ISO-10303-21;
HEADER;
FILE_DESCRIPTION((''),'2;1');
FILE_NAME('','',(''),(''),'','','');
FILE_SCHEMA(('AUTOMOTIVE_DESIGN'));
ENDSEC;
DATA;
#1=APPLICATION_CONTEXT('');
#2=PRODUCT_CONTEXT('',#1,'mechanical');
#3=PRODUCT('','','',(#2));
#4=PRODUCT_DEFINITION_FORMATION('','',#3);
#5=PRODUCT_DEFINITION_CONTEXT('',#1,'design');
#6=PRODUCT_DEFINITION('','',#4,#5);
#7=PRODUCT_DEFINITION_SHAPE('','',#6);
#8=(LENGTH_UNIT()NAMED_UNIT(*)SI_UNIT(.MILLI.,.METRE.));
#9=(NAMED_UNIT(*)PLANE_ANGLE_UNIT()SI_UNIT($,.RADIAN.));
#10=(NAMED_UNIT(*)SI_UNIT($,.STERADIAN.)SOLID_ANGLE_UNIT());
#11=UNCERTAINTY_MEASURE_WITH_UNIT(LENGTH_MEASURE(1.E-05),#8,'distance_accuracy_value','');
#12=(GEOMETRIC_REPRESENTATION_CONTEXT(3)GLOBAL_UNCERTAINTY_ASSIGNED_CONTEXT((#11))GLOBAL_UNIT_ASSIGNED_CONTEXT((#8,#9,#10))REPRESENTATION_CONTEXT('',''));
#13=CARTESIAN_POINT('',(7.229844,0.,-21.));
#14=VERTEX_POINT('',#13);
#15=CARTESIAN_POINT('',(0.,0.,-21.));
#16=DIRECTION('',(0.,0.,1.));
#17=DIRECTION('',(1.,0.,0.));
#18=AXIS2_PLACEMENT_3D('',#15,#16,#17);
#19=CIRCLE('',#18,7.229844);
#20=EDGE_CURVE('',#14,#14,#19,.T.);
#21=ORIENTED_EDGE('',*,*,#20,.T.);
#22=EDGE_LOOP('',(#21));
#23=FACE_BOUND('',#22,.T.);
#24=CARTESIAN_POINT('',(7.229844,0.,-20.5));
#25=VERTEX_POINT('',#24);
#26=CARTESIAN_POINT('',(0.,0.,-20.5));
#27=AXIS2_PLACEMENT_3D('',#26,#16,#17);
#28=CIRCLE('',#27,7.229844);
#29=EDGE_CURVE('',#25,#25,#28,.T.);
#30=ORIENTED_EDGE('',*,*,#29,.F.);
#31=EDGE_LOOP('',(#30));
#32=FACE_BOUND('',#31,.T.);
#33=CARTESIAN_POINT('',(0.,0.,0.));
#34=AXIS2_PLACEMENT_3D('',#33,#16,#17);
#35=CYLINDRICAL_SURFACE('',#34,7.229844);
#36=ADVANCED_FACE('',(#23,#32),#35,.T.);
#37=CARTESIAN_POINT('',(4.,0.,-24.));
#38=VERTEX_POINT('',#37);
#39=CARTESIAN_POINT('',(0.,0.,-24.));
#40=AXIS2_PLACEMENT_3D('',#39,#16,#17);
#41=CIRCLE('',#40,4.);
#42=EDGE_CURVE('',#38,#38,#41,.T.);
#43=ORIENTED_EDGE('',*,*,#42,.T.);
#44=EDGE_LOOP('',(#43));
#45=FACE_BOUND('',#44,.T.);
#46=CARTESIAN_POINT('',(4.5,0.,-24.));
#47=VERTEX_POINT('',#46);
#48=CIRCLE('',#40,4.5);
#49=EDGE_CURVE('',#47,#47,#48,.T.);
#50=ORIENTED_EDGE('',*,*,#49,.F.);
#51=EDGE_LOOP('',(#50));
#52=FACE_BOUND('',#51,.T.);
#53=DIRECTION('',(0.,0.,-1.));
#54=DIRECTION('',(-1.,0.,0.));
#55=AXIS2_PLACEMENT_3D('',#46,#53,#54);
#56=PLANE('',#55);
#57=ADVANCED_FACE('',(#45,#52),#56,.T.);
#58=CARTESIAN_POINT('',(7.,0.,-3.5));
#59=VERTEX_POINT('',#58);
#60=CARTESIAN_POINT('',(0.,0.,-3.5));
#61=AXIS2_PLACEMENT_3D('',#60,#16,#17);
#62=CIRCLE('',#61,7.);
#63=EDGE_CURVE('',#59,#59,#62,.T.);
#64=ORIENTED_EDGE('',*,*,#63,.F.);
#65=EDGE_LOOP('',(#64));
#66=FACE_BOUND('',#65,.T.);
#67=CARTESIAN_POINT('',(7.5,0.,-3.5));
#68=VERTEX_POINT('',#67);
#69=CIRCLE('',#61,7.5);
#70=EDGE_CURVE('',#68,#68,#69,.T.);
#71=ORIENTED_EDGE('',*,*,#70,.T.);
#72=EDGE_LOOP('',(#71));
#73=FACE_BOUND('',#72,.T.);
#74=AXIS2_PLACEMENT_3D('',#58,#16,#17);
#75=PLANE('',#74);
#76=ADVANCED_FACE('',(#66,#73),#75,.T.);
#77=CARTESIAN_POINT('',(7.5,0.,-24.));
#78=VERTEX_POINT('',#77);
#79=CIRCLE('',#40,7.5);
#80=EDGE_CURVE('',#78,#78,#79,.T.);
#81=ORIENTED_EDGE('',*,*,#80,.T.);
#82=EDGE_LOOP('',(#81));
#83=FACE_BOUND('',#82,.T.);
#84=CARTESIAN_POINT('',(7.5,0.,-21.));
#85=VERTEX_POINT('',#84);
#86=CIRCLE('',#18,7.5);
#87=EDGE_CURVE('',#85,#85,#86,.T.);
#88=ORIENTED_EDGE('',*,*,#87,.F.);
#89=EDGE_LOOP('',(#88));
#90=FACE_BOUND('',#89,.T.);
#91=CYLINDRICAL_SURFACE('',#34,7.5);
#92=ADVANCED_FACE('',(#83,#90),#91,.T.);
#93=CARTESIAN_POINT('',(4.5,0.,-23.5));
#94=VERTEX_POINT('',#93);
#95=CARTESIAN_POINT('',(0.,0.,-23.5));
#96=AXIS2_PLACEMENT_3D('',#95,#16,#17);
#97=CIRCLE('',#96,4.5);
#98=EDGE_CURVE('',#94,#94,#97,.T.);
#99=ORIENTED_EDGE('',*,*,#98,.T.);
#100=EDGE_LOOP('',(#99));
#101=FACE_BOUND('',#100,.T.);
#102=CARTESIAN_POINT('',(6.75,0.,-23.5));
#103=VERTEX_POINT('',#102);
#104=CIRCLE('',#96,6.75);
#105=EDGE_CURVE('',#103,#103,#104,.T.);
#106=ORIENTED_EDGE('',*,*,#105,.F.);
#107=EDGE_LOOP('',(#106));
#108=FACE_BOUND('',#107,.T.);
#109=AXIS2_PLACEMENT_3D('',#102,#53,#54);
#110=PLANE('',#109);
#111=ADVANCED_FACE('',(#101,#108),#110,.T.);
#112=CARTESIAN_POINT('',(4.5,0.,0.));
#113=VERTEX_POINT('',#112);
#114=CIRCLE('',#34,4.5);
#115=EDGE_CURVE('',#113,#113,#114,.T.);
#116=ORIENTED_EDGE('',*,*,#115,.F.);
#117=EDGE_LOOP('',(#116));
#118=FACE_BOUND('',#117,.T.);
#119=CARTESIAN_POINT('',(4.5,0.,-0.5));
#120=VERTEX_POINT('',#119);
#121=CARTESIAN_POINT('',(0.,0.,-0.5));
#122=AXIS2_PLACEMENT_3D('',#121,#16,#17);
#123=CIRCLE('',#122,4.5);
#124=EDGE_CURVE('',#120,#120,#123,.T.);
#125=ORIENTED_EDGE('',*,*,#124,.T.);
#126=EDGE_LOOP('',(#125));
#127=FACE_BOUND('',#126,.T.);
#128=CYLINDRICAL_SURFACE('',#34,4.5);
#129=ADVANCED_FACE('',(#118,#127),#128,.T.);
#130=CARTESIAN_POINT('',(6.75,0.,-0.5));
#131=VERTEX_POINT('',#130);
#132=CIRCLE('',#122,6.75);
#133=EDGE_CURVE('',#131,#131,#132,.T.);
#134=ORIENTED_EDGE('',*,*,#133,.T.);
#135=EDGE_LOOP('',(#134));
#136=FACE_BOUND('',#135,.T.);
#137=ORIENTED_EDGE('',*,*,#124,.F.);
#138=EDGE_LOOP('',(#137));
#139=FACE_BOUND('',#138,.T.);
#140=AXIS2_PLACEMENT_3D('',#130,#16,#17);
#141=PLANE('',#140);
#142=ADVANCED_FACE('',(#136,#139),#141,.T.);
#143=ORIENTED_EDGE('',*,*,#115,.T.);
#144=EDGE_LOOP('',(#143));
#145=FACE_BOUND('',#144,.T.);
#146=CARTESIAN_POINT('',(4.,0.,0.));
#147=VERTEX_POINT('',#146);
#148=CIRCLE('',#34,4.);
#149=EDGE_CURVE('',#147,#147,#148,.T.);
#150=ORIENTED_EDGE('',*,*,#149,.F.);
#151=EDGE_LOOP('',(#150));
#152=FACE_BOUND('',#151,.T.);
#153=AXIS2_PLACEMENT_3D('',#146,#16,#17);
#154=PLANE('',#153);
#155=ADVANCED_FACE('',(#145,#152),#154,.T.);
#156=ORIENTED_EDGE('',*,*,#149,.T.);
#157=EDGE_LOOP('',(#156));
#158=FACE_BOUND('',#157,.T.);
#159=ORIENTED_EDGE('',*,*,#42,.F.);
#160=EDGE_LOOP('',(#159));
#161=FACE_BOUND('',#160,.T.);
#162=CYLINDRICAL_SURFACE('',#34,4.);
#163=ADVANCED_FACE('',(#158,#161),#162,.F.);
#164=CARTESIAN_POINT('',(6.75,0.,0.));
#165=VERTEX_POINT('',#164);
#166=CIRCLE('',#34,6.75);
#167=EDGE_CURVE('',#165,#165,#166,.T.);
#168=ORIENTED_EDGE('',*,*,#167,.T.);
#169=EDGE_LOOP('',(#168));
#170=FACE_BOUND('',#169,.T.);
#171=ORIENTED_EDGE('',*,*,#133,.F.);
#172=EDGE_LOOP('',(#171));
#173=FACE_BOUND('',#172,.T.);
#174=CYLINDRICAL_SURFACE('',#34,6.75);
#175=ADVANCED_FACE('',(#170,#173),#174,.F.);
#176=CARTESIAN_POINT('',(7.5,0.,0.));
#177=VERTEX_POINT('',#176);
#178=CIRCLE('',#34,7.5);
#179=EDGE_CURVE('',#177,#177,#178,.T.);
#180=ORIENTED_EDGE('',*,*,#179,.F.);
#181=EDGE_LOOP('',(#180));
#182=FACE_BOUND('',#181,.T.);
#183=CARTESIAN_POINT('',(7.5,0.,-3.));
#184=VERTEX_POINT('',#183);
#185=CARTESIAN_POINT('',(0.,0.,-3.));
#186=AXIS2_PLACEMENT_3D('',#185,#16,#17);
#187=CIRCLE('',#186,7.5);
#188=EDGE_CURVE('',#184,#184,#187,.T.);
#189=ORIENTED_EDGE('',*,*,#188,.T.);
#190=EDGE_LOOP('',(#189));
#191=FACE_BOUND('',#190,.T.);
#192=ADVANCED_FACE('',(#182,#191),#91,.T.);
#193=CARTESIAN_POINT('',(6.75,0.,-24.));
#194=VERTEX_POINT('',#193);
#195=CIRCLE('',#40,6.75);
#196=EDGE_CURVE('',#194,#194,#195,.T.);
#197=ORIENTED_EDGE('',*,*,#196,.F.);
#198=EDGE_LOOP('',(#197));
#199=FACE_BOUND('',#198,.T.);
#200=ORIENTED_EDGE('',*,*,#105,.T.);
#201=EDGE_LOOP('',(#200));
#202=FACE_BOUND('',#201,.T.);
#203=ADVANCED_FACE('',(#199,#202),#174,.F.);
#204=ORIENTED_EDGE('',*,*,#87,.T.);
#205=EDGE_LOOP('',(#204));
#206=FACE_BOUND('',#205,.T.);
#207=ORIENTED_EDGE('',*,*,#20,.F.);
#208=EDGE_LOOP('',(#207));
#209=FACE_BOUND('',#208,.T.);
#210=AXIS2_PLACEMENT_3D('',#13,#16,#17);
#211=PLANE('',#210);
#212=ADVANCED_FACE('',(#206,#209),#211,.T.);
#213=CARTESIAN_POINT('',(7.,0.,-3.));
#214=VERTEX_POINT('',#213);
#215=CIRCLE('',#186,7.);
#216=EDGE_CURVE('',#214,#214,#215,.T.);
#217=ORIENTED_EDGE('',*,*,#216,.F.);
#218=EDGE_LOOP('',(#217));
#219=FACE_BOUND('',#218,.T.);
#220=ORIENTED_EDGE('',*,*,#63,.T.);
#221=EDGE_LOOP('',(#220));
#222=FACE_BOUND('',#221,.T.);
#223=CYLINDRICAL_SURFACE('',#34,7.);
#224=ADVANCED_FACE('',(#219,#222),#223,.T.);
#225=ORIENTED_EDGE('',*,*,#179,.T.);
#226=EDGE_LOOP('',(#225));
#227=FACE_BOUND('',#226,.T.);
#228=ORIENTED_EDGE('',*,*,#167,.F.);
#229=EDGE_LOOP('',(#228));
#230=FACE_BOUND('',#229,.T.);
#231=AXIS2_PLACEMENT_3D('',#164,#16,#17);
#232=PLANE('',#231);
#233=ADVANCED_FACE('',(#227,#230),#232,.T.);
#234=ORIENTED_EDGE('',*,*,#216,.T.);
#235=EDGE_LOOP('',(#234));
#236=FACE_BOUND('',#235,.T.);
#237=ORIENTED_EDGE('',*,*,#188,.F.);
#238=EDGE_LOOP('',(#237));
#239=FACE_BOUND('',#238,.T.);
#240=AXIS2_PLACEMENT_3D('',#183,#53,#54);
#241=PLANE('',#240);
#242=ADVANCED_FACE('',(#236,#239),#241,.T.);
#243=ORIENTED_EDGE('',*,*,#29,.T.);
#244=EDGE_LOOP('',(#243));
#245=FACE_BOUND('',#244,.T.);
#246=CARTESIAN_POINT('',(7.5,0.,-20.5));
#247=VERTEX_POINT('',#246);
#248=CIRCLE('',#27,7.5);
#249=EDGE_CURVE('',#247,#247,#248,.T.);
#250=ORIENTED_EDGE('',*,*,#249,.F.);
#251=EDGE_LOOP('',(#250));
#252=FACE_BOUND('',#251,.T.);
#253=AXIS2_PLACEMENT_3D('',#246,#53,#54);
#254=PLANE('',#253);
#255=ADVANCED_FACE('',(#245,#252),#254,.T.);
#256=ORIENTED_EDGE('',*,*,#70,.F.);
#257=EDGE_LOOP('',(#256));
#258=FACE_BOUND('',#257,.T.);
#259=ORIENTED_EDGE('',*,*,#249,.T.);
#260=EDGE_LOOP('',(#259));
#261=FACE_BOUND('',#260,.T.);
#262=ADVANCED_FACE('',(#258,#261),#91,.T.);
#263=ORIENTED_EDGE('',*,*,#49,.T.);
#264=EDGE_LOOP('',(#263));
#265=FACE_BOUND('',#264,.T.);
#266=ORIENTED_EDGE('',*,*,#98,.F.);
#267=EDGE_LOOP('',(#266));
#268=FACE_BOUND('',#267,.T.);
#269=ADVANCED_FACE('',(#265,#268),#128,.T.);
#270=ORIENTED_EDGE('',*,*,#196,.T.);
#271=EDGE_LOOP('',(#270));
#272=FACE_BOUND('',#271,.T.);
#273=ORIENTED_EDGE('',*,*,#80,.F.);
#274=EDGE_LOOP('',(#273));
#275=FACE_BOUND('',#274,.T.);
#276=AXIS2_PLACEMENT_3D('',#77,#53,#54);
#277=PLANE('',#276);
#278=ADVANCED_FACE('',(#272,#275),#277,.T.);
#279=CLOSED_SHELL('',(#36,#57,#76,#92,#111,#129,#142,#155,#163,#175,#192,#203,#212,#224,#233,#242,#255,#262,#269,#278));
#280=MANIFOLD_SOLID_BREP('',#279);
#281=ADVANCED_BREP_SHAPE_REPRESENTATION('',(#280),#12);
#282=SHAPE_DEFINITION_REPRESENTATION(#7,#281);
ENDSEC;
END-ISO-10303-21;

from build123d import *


with BuildPart() as part:
    # Sketch1 → Revolve1 (revolve)
    with BuildSketch(Plane(origin=(0, 0, 0), x_dir=(1, 0, 0), z_dir=(0, 1, 0))):
        Polygon((4, 0), (4.5, 0), (4.5, 0.5), (6.75, 0.5), (6.75, 0), (7.5, 0), (7.5, 3), (7, 3), (7, 3.5), (7.5, 3.5), (7.5, 20.5), (7.229844059, 20.5), (7.229844059, 21), (7.5, 21), (7.5, 24), (6.75, 24), (6.75, 23.5), (4.5, 23.5), (4.5, 24), (4, 24), align=None)
    revolve(axis=Axis((0, 0, 0), (0, 0, -1)))


solid = part.part
